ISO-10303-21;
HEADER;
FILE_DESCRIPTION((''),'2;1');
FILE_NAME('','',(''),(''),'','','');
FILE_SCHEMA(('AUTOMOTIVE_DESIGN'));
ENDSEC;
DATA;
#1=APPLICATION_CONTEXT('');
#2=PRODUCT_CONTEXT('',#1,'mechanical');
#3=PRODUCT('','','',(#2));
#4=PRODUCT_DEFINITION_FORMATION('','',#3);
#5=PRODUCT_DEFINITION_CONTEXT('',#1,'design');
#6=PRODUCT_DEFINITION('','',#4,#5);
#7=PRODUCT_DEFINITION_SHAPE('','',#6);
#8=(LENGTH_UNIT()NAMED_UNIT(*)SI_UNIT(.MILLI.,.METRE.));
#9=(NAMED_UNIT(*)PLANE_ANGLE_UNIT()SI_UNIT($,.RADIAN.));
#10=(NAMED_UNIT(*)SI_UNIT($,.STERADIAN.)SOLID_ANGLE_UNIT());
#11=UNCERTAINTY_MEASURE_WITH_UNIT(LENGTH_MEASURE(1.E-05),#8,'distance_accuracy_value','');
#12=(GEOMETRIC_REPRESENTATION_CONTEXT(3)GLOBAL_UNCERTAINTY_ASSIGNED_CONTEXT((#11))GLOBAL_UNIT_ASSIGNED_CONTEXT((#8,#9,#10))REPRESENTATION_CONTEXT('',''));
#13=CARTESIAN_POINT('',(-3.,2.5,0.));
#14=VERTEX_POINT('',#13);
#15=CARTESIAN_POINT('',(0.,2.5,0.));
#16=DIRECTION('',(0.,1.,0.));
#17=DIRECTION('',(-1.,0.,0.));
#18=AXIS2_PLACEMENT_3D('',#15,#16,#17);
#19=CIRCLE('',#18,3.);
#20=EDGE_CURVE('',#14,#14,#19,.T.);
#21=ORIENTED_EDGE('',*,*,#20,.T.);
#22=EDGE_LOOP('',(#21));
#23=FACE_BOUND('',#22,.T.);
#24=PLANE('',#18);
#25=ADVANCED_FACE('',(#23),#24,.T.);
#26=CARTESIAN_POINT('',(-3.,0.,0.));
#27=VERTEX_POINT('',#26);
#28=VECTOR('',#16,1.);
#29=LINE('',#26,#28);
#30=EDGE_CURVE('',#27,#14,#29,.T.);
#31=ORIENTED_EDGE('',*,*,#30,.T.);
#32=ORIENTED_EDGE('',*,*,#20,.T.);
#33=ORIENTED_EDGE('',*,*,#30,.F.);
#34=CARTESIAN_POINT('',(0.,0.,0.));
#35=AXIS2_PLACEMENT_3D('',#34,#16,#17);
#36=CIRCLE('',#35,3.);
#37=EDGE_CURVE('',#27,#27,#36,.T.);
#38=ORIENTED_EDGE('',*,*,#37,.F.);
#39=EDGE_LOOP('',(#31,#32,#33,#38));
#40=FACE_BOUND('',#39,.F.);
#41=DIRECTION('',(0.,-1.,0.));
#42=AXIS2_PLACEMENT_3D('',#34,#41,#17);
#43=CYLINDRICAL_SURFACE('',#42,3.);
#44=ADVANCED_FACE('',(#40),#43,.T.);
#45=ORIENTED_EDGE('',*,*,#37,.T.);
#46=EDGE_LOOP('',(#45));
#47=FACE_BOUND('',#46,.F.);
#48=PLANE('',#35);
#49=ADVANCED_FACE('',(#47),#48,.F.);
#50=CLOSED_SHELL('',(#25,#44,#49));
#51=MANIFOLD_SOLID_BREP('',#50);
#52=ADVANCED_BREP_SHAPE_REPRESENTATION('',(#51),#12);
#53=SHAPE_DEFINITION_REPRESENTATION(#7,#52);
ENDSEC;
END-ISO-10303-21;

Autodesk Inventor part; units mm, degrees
ref_plane "YZ Plane" through (0, 0, 0) normal (1, 0, 0) x (0, 1, 0)
ref_plane "XZ Plane" through (0, 0, 0) normal (0, 1, 0) x (-1, 0, 0)
ref_plane "XY Plane" through (0, 0, 0) normal (0, 0, 1) x (1, 0, 0)
sketch "Sketch1" plane through (0, 0, 0) normal (0, 1, 0) x (-1, 0, 0)
  circle A0 centre (0, 0) radius 3
  dimension "d0" = 6
extrude "Extrusion1" add sketch "Sketch1" along normal blind 2.5
properties part number "encoder_ma_6_2.5"
